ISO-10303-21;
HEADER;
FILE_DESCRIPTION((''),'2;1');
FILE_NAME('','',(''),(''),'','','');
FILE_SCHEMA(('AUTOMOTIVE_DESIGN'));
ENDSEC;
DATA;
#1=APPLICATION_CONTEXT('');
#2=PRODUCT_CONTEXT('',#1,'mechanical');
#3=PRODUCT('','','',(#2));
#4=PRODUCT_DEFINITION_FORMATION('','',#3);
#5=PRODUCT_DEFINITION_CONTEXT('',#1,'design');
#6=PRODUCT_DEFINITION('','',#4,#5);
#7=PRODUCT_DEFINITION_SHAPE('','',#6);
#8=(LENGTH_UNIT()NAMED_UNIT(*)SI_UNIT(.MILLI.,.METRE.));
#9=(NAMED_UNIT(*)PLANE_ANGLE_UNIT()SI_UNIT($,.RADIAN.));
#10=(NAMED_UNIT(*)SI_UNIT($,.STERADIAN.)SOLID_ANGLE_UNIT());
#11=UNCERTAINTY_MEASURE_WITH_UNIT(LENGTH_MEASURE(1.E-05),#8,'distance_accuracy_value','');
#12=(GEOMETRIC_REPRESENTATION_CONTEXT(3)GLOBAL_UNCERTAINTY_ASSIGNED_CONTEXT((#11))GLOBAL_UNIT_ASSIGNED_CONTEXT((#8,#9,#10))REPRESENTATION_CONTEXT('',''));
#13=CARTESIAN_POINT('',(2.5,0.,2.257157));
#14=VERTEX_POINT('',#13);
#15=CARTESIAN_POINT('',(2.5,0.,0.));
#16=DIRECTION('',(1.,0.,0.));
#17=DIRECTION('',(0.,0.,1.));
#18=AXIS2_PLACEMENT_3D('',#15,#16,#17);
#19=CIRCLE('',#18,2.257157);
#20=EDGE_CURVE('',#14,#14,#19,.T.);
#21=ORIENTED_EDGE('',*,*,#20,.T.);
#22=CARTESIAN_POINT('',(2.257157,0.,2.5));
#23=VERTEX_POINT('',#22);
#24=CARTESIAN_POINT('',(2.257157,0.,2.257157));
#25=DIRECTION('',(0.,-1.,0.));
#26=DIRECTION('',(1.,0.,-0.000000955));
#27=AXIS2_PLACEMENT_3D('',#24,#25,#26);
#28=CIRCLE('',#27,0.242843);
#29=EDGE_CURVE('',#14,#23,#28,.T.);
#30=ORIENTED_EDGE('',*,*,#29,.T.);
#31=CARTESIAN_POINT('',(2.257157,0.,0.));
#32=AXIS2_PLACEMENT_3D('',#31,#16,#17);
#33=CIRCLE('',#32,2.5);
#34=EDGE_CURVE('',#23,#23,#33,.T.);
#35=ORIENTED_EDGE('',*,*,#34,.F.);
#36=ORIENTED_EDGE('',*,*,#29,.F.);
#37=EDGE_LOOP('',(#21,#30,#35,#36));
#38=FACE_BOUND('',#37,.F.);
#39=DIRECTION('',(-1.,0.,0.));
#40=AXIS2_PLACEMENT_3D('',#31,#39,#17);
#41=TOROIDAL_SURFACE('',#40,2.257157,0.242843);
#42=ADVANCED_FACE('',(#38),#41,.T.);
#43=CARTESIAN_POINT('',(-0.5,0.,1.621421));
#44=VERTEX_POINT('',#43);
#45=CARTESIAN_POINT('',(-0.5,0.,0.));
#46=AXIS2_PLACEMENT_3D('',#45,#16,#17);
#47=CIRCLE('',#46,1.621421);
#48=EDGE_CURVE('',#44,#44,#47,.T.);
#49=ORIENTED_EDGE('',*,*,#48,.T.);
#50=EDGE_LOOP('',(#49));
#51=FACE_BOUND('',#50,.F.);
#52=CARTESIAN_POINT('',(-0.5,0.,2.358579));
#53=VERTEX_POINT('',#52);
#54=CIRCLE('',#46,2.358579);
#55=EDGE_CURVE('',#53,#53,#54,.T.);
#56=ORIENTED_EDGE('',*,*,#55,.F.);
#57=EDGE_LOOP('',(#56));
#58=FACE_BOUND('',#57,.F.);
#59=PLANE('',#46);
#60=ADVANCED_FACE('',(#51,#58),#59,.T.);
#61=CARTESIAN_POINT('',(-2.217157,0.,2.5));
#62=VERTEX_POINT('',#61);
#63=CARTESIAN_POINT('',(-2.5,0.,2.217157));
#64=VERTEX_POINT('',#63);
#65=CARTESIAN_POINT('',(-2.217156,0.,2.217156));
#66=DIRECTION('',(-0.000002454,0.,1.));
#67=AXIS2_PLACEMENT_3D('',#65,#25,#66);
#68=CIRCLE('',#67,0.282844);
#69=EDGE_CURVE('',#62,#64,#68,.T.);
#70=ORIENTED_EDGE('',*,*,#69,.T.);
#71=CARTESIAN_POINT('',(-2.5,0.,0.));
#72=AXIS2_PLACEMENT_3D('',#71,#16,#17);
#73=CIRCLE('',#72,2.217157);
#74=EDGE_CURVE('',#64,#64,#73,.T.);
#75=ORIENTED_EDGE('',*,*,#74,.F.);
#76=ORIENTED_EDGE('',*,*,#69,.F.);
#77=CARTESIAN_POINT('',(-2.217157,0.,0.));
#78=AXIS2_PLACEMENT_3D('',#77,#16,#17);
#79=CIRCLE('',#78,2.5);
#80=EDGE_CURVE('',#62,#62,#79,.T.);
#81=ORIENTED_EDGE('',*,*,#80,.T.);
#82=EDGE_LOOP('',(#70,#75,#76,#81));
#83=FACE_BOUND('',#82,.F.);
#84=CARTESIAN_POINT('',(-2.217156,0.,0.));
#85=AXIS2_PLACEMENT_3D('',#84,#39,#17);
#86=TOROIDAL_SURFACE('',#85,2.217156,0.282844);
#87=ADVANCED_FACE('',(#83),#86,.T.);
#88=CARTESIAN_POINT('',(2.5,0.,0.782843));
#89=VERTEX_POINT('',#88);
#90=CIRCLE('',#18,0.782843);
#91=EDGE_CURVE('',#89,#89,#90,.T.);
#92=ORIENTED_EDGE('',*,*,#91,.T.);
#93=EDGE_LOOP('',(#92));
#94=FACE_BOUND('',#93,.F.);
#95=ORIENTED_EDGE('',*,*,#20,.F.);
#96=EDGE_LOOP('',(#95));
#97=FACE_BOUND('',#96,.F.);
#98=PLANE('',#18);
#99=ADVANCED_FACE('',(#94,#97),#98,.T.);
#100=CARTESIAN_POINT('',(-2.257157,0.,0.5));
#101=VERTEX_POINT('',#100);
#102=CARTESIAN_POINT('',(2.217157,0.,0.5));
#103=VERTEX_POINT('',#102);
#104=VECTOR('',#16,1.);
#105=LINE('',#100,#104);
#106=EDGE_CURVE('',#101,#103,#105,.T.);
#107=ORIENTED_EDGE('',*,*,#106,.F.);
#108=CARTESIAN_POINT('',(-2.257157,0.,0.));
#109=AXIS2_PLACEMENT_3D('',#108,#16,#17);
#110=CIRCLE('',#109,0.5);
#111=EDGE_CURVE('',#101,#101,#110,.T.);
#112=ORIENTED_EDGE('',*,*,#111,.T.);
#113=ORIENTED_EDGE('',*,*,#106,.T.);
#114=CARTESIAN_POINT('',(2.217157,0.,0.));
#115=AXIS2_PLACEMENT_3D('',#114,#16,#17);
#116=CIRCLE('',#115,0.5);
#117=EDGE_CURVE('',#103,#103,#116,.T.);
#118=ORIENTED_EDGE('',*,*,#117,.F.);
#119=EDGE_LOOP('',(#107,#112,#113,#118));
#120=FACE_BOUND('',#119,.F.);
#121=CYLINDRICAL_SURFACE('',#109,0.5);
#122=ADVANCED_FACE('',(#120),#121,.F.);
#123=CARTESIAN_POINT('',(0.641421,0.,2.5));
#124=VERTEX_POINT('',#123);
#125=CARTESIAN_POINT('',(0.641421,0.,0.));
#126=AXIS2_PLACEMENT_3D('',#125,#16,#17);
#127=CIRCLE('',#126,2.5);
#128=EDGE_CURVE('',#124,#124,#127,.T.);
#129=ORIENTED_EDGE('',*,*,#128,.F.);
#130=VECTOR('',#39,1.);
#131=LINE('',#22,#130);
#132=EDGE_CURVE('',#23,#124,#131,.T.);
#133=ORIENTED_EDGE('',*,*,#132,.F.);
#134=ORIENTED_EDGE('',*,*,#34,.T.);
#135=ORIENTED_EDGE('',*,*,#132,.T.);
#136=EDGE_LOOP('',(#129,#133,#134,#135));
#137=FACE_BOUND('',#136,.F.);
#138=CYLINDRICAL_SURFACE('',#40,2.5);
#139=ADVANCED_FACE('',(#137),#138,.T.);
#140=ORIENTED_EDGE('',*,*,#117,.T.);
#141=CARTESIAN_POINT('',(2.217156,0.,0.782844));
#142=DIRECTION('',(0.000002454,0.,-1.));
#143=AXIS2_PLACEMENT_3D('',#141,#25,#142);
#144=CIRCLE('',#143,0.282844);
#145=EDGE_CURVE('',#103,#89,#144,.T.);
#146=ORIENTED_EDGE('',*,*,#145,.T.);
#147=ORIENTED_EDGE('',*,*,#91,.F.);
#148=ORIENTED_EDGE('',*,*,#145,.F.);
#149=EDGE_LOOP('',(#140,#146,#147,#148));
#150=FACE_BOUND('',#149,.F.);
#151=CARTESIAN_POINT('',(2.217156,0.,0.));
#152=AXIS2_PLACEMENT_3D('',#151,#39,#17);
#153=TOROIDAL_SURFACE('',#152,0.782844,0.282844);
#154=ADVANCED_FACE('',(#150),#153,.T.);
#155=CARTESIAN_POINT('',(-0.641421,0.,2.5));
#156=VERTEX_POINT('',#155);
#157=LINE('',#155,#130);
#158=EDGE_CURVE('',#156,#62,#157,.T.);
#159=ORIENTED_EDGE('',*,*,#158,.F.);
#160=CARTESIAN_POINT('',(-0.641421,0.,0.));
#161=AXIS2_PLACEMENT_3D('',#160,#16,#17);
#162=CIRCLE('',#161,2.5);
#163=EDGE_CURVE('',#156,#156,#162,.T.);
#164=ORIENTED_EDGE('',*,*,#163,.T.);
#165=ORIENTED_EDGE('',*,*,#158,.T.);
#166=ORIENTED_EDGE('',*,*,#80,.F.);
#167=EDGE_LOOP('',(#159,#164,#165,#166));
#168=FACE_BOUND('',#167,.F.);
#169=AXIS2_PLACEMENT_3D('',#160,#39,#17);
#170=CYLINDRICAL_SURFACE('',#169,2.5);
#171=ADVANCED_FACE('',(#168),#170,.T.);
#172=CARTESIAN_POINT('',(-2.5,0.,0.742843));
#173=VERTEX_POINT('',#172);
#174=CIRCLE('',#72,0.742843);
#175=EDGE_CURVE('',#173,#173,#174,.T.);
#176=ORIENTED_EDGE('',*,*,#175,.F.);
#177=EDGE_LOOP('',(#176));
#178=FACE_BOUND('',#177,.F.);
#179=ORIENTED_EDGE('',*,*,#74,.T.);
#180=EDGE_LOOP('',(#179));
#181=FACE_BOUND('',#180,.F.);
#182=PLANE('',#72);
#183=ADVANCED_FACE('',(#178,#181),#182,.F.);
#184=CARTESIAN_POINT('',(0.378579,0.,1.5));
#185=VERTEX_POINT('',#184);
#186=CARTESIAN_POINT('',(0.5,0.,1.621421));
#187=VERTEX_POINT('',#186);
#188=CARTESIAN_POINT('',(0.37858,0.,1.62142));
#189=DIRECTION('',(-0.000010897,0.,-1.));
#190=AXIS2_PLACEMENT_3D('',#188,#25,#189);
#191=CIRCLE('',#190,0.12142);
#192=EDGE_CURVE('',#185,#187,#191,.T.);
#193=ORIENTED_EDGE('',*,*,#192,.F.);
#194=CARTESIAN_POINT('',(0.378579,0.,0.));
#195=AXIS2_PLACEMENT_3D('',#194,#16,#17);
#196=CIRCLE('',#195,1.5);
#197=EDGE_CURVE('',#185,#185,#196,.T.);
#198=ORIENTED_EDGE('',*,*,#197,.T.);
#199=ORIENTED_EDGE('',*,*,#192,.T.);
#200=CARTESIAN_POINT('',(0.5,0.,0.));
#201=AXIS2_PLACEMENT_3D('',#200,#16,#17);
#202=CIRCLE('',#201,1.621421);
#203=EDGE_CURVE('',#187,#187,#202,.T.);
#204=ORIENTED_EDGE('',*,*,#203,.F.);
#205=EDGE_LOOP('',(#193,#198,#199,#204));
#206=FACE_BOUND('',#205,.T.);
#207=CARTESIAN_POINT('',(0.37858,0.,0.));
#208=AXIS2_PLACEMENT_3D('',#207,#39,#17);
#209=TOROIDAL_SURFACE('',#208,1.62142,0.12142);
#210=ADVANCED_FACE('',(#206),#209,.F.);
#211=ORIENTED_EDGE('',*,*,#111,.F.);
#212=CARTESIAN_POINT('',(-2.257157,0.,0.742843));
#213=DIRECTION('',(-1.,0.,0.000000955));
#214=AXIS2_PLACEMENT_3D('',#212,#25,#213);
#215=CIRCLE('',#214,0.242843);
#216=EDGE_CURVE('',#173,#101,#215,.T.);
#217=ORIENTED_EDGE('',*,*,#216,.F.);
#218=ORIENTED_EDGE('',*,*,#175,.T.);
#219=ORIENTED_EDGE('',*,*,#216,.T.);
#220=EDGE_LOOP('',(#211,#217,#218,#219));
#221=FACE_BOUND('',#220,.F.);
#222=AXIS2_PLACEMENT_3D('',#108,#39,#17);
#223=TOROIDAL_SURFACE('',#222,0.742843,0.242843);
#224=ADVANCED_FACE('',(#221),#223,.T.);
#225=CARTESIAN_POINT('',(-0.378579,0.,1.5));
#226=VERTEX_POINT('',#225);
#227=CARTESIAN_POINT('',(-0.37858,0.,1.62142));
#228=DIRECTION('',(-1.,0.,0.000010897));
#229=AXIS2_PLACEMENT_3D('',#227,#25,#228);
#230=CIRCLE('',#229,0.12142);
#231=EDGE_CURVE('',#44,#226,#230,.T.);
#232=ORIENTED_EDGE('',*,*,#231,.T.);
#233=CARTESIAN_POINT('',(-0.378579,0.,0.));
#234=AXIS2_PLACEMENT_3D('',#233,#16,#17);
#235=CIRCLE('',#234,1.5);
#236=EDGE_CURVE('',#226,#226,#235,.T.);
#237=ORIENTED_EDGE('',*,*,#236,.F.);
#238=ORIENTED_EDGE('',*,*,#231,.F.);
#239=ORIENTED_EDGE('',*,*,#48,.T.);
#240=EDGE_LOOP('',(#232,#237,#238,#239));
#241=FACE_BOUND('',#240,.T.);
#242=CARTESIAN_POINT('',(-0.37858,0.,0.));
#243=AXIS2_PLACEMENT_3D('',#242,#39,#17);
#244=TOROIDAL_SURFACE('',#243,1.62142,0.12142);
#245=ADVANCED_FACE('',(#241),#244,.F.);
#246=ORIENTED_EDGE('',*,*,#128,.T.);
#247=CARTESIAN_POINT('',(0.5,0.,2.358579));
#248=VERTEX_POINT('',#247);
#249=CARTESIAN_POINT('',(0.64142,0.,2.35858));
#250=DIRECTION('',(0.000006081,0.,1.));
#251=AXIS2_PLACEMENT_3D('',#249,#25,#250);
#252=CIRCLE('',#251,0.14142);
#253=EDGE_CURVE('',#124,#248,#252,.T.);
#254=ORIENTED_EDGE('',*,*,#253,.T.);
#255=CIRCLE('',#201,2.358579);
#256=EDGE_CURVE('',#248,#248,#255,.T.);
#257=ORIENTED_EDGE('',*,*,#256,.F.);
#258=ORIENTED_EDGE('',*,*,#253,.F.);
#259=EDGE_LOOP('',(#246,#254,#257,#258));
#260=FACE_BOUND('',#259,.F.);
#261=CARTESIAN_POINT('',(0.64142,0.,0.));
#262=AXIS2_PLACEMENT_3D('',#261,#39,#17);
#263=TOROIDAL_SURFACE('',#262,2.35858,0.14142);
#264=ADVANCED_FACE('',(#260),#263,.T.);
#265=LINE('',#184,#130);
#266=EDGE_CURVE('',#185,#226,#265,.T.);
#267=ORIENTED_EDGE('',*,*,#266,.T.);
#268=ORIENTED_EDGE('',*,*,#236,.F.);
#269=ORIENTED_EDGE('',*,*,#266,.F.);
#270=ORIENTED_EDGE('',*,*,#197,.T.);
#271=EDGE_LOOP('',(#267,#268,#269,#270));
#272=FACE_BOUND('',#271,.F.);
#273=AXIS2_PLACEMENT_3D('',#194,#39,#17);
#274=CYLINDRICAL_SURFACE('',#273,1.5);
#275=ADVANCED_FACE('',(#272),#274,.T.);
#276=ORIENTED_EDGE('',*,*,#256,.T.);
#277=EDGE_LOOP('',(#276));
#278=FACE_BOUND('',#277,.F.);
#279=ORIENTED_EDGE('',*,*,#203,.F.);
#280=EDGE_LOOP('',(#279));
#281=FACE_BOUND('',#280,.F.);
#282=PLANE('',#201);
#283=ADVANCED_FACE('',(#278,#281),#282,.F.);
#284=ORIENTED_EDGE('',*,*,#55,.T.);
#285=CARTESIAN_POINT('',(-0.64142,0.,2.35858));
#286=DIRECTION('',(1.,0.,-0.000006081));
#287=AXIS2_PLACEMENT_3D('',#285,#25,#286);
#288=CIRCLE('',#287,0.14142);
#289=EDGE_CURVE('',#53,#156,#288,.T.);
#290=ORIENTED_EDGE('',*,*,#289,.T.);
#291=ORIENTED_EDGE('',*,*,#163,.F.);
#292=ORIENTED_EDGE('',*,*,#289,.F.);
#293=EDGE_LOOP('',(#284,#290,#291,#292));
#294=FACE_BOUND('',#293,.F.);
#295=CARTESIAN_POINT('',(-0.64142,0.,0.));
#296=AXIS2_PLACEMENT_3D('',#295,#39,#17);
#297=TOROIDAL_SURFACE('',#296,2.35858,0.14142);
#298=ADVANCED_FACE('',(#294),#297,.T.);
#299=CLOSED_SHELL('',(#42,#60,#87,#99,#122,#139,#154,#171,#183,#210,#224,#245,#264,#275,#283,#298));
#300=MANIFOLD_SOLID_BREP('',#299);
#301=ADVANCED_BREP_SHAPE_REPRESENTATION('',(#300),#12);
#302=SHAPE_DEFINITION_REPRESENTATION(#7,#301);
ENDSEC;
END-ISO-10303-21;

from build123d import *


with BuildPart() as part:
    # Sketch → Revolve (revolve)
    with BuildSketch(Plane.XZ):
        with BuildLine():
            Line((2.5, 0.782843), (2.5, 2.257157))
            ThreePointArc((2.5, 2.257157), (2.428873, 2.428873), (2.257157, 2.5))
            Line((2.257157, 2.5), (0.641421, 2.5))
            ThreePointArc((0.641421, 2.5), (0.541421, 2.458579), (0.5, 2.358579))
            Line((0.5, 2.358579), (0.5, 1.621421))
            ThreePointArc((0.378579, 1.5), (0.464437, 1.535563), (0.5, 1.621421))
            Line((0.378579, 1.5), (-0.378579, 1.5))
            ThreePointArc((-0.5, 1.621421), (-0.464437, 1.535563), (-0.378579, 1.5))
            Line((-0.5, 1.621421), (-0.5, 2.358579))
            ThreePointArc((-0.5, 2.358579), (-0.541421, 2.458579), (-0.641421, 2.5))
            Line((-0.641421, 2.5), (-2.217157, 2.5))
            ThreePointArc((-2.217157, 2.5), (-2.417157, 2.417157), (-2.5, 2.217157))
            Line((-2.5, 2.217157), (-2.5, 0.742843))
            ThreePointArc((-2.5, 0.742843), (-2.428873, 0.571127), (-2.257157, 0.5))
            Line((-2.257157, 0.5), (2.217157, 0.5))
            ThreePointArc((2.217157, 0.5), (2.417157, 0.582843), (2.5, 0.782843))
        make_face()
    revolve(axis=Axis((0, 0, 0), (1, 0, 0)))


solid = part.part
